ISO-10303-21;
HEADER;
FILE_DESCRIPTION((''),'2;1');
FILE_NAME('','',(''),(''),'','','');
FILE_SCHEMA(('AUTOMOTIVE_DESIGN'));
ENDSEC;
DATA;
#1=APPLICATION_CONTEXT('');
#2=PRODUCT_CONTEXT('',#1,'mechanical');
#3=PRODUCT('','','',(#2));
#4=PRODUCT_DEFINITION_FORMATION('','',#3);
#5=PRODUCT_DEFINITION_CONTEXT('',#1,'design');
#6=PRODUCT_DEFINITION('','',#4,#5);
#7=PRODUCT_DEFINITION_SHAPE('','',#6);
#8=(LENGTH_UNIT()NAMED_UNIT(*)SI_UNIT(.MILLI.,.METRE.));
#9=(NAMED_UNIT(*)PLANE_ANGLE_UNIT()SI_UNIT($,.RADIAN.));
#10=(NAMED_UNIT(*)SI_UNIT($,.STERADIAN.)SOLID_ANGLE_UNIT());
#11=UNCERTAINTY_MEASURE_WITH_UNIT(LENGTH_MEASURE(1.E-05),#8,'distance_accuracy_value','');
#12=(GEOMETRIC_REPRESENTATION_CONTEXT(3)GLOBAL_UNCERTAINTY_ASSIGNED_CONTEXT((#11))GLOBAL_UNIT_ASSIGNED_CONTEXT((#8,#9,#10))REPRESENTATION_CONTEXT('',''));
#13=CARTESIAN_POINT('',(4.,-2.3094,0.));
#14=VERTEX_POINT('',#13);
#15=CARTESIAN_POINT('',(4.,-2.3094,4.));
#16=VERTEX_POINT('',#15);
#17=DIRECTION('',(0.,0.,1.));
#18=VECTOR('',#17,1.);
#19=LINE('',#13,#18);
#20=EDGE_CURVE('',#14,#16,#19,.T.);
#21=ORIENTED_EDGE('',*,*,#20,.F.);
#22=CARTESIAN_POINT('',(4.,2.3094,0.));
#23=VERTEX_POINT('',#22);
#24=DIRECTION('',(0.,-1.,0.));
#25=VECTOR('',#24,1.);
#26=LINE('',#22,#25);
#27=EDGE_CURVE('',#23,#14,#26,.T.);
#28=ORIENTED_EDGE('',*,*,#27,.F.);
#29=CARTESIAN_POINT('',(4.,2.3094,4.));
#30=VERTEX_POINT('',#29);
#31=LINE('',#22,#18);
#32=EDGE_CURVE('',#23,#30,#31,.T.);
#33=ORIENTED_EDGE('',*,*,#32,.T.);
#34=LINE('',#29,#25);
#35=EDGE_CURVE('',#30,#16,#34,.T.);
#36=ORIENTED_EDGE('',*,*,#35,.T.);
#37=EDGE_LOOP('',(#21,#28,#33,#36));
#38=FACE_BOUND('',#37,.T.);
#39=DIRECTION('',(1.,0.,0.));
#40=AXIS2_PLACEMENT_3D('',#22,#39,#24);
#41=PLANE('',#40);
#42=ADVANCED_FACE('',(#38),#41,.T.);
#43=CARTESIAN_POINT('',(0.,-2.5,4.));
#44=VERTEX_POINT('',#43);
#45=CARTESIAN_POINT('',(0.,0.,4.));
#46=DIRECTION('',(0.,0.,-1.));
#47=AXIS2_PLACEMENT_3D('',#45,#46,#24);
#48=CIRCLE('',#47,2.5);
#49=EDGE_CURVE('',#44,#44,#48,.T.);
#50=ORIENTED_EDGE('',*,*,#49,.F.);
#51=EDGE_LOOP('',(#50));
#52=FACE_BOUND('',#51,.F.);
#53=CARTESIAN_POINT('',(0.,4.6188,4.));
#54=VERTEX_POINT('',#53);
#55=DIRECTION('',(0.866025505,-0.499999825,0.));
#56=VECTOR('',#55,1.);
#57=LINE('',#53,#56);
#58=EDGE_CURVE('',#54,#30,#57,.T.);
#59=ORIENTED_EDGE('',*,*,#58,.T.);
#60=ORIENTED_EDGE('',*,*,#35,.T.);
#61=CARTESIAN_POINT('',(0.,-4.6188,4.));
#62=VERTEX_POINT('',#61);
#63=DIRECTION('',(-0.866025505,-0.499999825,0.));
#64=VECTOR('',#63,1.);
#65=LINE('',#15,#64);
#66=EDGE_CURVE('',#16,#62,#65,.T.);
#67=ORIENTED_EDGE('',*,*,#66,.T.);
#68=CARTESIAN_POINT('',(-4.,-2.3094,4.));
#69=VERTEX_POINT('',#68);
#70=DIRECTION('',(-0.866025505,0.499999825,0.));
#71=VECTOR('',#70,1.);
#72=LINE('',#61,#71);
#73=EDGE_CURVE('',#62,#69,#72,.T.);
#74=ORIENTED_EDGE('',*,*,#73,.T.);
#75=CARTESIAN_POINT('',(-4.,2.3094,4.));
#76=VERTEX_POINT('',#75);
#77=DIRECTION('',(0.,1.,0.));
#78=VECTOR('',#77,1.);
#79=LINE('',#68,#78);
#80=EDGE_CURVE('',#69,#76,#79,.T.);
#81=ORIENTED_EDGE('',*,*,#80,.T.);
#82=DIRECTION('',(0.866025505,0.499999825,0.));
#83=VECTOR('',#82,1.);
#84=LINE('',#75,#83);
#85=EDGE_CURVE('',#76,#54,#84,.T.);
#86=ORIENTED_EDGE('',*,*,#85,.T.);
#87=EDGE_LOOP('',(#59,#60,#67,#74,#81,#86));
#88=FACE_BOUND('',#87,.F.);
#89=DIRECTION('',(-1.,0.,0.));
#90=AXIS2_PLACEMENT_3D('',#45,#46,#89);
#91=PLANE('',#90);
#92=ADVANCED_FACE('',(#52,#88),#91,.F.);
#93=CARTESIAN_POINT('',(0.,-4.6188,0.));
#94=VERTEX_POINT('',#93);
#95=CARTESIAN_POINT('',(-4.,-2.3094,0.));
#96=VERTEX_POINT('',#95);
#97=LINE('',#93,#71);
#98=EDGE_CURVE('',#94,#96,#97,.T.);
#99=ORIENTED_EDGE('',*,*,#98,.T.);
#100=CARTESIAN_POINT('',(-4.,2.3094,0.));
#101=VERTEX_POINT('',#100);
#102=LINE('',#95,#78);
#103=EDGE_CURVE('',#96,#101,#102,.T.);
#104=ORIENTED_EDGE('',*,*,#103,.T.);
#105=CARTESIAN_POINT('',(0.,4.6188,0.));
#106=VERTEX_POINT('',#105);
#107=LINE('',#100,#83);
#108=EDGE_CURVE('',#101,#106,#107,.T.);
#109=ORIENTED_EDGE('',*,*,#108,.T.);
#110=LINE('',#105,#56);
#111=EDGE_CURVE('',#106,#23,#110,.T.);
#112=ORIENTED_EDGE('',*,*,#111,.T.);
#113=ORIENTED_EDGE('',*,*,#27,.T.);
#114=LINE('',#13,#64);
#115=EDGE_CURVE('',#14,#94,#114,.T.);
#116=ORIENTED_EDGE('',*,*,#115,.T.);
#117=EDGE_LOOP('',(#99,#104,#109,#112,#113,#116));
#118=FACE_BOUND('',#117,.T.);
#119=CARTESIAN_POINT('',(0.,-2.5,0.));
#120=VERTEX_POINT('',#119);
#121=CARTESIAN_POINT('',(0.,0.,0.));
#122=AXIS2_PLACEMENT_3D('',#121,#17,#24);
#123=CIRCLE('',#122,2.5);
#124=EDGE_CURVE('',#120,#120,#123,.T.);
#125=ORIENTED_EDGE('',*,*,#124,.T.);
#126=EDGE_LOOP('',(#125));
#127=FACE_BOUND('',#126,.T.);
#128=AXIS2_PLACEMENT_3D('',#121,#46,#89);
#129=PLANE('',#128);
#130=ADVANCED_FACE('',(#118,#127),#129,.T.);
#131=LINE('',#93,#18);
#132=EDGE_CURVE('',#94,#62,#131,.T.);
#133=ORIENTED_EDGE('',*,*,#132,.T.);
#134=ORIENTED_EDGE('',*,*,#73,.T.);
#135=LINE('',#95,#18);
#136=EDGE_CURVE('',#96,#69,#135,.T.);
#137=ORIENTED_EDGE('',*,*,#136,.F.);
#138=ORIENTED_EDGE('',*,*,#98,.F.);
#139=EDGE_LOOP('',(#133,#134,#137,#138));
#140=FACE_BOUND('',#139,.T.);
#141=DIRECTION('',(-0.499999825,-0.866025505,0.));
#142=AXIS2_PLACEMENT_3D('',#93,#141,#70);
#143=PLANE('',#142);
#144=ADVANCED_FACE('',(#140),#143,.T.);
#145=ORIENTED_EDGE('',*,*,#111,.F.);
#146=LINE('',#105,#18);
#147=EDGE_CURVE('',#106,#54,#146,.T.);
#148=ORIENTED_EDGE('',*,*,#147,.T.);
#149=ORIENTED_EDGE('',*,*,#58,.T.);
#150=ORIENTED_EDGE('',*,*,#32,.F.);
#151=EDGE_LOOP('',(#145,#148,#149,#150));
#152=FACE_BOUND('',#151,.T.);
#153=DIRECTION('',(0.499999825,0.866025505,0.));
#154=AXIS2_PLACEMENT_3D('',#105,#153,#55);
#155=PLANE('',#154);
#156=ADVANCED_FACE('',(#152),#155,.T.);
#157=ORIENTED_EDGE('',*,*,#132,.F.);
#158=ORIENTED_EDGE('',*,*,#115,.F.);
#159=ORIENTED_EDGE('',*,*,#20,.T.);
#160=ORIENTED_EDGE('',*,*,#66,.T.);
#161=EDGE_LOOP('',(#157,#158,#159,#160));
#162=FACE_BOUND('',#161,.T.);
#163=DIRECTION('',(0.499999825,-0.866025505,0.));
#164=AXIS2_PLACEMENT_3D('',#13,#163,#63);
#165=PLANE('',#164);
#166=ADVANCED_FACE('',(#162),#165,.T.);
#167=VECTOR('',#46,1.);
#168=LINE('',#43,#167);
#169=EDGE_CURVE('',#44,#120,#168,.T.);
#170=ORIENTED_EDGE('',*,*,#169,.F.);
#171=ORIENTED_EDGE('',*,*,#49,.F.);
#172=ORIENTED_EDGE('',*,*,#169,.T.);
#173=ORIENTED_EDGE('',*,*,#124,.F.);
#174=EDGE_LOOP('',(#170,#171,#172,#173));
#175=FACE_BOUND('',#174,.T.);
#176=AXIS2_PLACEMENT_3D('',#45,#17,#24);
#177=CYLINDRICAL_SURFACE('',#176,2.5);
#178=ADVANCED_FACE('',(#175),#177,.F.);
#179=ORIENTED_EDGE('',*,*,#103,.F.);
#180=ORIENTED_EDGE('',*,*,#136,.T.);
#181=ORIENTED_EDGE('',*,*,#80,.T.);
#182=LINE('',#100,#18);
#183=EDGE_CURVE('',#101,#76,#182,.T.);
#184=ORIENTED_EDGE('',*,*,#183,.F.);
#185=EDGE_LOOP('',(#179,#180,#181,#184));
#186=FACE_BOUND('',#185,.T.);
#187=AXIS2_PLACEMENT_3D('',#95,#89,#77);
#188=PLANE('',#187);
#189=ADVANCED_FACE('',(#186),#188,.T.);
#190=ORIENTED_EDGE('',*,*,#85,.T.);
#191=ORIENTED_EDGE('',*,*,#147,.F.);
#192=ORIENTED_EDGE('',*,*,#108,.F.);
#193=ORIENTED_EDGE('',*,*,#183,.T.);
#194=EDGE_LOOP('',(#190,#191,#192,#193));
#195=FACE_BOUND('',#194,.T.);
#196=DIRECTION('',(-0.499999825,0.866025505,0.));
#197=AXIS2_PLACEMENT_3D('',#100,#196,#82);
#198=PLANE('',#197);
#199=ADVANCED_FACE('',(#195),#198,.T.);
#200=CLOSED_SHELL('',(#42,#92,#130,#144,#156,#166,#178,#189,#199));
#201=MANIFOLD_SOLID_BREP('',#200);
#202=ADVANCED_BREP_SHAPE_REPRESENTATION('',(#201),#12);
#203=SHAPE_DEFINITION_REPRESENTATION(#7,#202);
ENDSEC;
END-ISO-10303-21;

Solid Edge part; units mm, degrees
sketch "Sketch1" plane through (0, 0, 0) normal (0, 0, 1) x (1, 0, 0)
  line L0 (0, 4.6188) -> (4, 2.3094)
  line L1 (4, 2.3094) -> (4, -2.3094)
  line L2 (4, -2.3094) -> (0, -4.6188)
  line L3 (0, -4.6188) -> (-4, -2.3094)
  line L4 (-4, -2.3094) -> (-4, 2.3094)
  line L5 (-4, 2.3094) -> (0, 4.6188)
  dimension "D1" = 8
  dimension "D2" = 8
  dimension "D3" = 8
extrude "Protrusion1" add sketch "Sketch1" along normal blind 4
hole "Hole_1" at (0, 0, 4) direction (0, 0, -1) diameter 5 end up to next
